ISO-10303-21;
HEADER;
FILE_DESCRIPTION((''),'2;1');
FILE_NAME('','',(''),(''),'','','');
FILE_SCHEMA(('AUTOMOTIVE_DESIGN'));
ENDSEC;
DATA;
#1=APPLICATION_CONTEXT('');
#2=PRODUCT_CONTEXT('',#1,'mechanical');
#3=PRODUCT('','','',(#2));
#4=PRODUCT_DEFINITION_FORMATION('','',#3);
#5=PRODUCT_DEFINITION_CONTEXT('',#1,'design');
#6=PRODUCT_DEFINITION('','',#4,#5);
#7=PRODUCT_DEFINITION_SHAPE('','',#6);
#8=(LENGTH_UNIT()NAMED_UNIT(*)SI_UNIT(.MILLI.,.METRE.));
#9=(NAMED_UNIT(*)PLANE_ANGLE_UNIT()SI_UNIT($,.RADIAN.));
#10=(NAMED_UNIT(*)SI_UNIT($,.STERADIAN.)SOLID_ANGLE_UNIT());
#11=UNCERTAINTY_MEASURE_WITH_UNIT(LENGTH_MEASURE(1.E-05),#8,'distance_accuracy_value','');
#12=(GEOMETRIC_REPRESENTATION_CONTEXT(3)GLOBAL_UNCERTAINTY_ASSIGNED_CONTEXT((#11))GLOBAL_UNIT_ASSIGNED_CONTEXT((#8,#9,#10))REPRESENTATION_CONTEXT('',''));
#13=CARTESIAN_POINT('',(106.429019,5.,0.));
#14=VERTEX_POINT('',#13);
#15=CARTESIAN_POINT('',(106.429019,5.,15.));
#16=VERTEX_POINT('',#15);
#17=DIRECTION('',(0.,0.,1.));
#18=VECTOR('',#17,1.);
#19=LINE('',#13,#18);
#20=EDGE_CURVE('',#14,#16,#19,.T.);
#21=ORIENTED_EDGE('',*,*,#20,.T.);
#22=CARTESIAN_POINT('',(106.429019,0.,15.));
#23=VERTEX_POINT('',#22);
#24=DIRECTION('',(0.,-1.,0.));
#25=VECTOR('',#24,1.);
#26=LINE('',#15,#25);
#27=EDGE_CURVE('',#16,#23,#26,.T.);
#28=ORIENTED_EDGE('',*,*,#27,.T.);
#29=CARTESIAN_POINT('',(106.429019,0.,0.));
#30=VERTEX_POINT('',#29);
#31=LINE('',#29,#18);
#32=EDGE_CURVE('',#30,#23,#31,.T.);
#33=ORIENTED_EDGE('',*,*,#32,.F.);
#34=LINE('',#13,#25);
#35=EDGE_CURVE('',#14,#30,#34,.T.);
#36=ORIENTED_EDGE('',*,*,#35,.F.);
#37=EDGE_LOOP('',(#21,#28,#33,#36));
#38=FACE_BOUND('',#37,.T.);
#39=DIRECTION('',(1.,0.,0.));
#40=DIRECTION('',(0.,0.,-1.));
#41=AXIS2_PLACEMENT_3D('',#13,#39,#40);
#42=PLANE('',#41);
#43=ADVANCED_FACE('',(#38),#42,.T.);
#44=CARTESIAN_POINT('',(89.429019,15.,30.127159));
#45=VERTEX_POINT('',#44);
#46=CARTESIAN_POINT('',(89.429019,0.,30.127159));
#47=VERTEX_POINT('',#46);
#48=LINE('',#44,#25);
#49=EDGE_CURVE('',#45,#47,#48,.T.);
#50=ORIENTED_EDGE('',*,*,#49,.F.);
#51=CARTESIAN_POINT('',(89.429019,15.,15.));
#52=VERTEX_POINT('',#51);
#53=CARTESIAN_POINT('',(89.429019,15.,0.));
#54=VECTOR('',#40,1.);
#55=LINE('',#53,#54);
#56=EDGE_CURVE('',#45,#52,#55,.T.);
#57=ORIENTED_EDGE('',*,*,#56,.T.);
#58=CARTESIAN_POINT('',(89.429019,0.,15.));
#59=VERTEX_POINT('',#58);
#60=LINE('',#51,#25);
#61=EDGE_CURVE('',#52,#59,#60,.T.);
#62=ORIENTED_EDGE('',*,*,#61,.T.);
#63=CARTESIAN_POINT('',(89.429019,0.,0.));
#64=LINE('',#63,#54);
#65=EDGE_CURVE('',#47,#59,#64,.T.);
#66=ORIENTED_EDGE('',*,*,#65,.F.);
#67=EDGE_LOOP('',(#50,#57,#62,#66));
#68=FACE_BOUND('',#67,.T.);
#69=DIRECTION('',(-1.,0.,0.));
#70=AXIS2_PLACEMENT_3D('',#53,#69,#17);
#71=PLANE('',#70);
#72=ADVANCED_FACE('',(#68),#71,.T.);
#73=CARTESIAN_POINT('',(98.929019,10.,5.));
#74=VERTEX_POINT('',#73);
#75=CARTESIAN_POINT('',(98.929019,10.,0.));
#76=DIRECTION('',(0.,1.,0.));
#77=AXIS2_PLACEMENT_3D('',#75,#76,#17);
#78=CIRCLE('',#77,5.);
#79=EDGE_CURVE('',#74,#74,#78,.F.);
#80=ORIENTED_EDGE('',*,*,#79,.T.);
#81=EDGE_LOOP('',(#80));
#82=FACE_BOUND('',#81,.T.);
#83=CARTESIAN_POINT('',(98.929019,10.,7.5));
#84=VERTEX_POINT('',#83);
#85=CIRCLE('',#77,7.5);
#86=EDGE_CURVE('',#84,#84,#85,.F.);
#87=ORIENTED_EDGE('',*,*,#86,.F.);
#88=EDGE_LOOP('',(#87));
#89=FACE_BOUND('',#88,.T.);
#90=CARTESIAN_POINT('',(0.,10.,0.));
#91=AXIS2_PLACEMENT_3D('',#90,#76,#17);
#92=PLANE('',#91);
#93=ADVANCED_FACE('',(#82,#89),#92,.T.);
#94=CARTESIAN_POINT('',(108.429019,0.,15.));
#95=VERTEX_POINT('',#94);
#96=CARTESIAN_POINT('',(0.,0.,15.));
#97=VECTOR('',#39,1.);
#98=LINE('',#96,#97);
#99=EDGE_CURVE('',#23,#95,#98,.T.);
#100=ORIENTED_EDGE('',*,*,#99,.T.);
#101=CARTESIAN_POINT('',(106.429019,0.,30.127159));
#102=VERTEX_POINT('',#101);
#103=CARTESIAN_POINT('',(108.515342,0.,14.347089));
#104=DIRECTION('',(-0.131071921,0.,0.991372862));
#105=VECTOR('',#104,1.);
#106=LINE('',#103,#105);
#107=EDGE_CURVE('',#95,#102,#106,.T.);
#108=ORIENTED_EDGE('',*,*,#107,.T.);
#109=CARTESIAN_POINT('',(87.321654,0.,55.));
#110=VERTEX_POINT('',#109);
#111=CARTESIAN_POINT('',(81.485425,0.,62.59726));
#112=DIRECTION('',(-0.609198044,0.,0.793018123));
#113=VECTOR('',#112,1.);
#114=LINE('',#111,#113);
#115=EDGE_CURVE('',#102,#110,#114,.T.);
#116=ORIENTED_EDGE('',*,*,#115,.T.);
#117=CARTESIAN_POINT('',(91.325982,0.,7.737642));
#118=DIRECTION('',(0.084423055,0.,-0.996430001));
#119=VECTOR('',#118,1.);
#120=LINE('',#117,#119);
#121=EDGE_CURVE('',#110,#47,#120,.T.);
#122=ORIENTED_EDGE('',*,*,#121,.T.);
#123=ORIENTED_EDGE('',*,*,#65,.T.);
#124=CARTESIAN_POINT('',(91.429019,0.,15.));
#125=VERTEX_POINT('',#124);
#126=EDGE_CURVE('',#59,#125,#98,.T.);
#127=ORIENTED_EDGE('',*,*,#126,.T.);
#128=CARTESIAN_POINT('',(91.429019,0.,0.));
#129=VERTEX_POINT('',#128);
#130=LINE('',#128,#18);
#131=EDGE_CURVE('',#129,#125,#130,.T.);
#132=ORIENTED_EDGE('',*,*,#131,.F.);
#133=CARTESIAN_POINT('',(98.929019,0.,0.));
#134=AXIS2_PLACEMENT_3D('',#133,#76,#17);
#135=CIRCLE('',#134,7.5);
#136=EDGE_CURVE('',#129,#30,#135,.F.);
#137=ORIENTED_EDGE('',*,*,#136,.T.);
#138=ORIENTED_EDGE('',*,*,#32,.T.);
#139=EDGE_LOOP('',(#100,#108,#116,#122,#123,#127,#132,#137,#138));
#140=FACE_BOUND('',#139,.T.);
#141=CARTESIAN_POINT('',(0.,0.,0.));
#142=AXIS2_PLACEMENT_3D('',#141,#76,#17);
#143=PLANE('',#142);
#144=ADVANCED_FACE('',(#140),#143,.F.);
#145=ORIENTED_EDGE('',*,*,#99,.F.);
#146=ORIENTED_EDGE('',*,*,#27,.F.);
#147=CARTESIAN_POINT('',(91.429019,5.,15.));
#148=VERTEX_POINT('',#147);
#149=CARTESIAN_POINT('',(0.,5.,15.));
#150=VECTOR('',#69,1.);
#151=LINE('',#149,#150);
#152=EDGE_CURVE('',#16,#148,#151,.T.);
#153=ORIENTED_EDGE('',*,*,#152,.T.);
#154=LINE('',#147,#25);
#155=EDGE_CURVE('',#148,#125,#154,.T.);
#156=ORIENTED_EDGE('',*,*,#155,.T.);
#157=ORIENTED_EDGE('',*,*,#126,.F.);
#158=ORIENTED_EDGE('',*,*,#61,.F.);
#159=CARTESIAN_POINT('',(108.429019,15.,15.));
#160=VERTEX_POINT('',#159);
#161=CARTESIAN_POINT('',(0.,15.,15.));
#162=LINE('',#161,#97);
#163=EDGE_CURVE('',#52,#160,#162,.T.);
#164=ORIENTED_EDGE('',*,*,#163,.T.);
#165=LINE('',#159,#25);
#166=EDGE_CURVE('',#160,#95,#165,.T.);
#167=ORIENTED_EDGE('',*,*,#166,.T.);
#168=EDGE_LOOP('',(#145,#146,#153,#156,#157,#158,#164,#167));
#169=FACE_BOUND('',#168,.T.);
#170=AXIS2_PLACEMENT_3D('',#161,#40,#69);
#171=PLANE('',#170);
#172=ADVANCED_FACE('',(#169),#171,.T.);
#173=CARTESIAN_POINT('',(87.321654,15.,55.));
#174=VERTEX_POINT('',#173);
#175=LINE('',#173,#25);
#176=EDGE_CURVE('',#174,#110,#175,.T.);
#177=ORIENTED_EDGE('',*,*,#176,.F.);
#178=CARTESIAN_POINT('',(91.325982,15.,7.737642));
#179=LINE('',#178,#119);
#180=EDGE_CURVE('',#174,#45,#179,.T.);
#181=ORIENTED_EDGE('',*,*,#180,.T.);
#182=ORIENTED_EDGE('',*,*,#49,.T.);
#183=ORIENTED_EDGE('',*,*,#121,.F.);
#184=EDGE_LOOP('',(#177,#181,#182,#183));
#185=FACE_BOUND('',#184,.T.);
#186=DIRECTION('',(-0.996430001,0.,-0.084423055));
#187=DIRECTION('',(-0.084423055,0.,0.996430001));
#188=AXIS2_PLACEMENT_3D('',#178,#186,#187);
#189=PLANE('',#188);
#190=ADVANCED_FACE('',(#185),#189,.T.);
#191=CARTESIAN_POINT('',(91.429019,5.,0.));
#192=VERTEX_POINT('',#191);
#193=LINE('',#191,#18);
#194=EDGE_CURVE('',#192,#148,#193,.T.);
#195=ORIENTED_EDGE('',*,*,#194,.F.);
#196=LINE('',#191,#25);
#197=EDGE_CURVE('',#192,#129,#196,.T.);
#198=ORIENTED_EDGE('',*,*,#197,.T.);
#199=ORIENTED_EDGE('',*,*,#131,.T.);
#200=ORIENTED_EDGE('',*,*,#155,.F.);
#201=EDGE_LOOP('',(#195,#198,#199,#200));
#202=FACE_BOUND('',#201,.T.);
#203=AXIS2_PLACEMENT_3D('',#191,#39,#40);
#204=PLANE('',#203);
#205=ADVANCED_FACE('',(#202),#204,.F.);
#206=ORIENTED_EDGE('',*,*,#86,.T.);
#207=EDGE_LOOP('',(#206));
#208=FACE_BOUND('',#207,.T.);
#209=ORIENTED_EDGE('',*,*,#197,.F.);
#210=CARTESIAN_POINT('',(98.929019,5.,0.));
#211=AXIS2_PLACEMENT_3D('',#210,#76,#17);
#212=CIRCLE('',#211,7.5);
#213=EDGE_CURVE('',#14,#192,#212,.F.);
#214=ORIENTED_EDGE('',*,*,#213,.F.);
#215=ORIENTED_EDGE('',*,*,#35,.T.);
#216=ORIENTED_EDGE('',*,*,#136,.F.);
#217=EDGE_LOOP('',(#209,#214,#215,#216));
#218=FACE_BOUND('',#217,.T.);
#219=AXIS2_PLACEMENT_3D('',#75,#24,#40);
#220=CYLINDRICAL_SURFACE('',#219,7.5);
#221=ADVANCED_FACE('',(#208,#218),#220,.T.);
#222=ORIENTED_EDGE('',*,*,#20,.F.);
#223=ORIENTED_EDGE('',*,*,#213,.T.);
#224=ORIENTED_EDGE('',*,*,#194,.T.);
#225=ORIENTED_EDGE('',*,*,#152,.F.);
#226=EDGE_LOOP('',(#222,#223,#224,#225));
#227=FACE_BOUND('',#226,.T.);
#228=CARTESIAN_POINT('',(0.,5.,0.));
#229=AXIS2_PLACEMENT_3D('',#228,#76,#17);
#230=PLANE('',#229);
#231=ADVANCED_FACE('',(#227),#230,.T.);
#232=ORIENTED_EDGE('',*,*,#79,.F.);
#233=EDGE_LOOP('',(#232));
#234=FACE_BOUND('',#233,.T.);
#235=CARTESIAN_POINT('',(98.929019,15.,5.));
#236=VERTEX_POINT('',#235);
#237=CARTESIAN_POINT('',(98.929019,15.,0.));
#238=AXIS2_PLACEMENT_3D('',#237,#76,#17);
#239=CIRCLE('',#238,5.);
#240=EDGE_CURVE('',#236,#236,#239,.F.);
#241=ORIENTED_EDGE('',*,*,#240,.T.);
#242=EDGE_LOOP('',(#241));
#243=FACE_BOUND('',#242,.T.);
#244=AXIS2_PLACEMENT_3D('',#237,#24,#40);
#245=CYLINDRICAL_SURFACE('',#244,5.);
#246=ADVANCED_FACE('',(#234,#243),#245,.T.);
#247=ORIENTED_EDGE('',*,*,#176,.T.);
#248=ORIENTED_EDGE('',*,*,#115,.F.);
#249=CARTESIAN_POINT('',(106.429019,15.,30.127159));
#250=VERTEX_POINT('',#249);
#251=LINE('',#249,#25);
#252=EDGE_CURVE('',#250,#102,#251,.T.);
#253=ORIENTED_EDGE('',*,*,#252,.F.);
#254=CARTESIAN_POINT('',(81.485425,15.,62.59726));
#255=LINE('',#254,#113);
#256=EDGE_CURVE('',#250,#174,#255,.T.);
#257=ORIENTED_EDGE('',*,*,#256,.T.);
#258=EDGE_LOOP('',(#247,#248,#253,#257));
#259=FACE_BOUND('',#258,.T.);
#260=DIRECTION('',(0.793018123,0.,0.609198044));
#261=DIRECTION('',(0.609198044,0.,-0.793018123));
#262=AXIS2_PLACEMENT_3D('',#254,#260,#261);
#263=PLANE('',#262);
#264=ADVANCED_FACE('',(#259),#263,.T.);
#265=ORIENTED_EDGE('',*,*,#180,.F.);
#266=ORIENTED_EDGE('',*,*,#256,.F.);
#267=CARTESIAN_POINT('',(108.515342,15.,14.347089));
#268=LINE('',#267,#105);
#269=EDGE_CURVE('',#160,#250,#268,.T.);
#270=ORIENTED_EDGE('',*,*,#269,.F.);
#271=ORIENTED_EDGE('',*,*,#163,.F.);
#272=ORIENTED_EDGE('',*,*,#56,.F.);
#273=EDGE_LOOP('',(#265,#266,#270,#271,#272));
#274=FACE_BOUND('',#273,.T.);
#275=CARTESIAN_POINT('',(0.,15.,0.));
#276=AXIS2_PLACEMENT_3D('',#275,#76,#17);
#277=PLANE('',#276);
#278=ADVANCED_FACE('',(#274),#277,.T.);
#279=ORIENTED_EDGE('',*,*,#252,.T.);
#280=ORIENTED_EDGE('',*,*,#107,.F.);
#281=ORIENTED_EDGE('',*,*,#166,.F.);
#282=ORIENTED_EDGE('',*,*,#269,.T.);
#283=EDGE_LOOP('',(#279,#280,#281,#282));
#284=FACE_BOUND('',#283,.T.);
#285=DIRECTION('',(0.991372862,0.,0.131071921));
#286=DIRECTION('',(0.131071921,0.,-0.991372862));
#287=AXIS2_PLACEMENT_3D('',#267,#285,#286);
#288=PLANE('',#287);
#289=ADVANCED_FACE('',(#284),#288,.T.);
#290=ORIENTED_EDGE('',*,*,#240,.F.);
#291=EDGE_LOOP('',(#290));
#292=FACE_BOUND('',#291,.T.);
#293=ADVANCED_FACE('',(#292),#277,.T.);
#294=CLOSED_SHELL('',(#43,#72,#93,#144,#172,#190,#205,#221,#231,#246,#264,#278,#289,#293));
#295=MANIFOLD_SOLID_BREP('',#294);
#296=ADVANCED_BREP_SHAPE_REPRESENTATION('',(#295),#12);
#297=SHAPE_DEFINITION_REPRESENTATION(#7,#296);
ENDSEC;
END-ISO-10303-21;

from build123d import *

# Parameters (mm, degrees)
SKETCH1_6_R         = 5
BOSS_EXTRUDE5_DEPTH = 15
SKETCH1_7_R         = 7.5
SKETCH1_7_R_2       = 5
BOSS_EXTRUDE6_DEPTH = 10
BOSS_EXTRUDE7_DEPTH = 5
BOSS_EXTRUDE8_DEPTH = 15


with BuildPart() as part:
    # Sketch1<6> → Boss-Extrude5 (new body)
    with BuildSketch(Plane(origin=(0, 0, 0), x_dir=(1, 0, 0), z_dir=(0, 1, 0))):
        with Locations((98.929018633, 0)):
            Circle(SKETCH1_6_R)
    extrude(amount=BOSS_EXTRUDE5_DEPTH)

    # Sketch1<7> → Boss-Extrude6 (add)
    with BuildSketch(Plane(origin=(0, 0, 0), x_dir=(1, 0, 0), z_dir=(0, 1, 0))):
        with Locations((98.929018633, 0)):
            Circle(SKETCH1_7_R)
        with Locations((98.929018633, 0)):
            Circle(SKETCH1_7_R_2, mode=Mode.SUBTRACT)
    extrude(amount=BOSS_EXTRUDE6_DEPTH)

    # Sketch1<8> → Boss-Extrude7 (add)
    with BuildSketch(Plane(origin=(0, 0, 0), x_dir=(1, 0, 0), z_dir=(0, 1, 0))):
        with BuildLine():
            ThreePointArc((106.429018633, 0), (98.929018633, -7.5), (91.429018633, 0))
            Line((91.429018633, 0), (91.429018633, -15))
            Line((91.429018633, -15), (106.429018633, -15))
            Line((106.429018633, -15), (106.429018633, 0))
        make_face()
    extrude(amount=BOSS_EXTRUDE7_DEPTH)

    # Sketch1<9> → Boss-Extrude8 (add)
    with BuildSketch(Plane(origin=(0, 0, 0), x_dir=(1, 0, 0), z_dir=(0, 1, 0))):
        Polygon((106.429018633, -15), (91.429018633, -15), (89.429018633, -15), (89.429018633, -30.12715853), (87.321654073, -55), (106.429018633, -30.12715853), (108.429018633, -15), align=None)
    extrude(amount=BOSS_EXTRUDE8_DEPTH)


solid = part.part
